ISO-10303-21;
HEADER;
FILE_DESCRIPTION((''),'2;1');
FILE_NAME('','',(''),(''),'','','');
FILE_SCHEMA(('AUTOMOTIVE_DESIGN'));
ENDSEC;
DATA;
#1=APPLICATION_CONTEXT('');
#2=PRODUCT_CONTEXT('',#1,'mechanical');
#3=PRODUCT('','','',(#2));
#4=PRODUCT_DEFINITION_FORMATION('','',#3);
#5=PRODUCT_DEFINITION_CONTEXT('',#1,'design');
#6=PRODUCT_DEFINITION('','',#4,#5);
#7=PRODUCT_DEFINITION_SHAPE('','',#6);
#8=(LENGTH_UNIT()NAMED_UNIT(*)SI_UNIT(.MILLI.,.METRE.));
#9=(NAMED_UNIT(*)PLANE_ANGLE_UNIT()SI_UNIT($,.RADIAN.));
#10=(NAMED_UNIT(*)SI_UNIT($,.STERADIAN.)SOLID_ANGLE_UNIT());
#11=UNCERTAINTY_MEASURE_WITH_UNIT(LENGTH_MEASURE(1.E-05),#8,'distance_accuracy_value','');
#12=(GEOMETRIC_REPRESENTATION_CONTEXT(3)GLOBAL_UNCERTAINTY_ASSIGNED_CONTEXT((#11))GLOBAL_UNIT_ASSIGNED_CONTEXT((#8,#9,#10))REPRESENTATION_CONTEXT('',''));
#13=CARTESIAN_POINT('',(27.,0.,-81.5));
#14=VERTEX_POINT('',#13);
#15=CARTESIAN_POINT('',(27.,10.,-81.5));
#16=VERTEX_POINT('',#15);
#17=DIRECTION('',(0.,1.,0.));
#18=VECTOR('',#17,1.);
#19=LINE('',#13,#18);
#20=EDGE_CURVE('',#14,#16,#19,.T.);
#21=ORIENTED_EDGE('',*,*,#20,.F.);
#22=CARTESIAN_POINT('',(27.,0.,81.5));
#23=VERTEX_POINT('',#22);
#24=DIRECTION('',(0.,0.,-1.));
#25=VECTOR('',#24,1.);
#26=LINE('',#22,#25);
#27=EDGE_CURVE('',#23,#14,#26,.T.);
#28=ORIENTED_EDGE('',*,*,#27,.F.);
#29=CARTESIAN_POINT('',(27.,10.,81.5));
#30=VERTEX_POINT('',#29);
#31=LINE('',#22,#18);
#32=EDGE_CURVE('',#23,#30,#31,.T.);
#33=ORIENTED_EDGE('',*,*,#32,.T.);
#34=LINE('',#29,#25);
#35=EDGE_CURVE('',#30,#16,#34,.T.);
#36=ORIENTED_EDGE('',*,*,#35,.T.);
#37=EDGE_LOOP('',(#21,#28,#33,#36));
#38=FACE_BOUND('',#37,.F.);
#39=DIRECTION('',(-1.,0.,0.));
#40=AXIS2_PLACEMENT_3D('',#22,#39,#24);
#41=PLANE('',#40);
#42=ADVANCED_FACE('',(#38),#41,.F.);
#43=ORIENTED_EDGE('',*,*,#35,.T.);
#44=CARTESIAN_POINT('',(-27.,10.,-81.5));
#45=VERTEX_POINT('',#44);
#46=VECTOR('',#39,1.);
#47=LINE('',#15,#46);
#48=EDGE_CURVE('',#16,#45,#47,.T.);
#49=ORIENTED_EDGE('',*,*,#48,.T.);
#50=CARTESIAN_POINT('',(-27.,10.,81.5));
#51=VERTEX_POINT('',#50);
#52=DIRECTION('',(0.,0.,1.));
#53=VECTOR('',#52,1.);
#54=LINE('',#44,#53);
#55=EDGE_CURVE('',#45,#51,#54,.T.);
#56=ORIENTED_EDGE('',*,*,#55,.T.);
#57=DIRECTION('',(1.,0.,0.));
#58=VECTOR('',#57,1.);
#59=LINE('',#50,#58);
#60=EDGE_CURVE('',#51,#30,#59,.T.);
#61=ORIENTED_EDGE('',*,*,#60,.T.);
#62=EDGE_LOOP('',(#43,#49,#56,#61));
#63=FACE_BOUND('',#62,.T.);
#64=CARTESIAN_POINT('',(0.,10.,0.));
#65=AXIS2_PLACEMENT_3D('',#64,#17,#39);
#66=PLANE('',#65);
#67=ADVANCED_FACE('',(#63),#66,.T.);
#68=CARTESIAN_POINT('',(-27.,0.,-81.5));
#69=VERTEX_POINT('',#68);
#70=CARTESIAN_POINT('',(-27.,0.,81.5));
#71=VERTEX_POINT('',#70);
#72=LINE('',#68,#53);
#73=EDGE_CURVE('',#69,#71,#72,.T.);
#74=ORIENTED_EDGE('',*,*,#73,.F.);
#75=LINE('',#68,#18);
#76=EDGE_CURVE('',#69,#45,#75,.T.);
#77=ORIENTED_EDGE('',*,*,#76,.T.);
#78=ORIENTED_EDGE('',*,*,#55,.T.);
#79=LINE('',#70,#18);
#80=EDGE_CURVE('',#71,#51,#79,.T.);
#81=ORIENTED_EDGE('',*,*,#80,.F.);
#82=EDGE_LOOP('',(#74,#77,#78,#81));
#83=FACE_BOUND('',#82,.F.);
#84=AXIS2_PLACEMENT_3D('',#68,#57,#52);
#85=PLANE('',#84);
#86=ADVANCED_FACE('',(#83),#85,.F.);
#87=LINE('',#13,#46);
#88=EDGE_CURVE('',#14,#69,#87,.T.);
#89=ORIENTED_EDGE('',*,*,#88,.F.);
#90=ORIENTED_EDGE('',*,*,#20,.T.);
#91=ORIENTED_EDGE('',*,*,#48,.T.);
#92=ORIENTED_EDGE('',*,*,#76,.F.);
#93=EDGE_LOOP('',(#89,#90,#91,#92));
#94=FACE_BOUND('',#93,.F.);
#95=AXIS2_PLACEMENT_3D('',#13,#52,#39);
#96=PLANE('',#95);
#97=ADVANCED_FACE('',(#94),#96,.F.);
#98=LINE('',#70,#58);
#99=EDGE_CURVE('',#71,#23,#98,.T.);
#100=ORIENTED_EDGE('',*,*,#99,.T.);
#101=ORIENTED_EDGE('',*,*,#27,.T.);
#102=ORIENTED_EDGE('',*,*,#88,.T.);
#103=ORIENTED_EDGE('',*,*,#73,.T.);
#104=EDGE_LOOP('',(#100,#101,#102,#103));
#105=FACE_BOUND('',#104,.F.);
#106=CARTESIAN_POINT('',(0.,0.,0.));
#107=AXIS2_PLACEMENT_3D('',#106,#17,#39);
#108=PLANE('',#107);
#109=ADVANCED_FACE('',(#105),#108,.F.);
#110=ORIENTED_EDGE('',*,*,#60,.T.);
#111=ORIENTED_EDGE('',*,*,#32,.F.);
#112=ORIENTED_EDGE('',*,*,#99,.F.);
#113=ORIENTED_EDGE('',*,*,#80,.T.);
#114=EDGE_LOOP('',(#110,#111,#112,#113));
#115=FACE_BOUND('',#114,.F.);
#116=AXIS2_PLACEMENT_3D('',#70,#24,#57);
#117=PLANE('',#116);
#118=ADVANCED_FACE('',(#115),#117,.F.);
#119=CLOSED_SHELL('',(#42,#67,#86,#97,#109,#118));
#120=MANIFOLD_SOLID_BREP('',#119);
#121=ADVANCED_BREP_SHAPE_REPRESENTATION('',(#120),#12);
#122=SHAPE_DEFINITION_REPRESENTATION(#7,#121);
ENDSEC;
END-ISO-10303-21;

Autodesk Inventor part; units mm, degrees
ref_plane "YZ Plane" through (0, 0, 0) normal (1, 0, 0) x (0, 1, 0)
ref_plane "XZ Plane" through (0, 0, 0) normal (0, 1, 0) x (-1, 0, 0)
ref_plane "XY Plane" through (0, 0, 0) normal (0, 0, 1) x (1, 0, 0)
sketch "Boceto1" plane through (0, 0, 0) normal (0, 1, 0) x (-1, 0, 0)
  line L0 (27, 81.5) -> (-27, 81.5)
  line L1 (-27, 81.5) -> (-27, -81.5)
  line L2 (-27, -81.5) -> (27, -81.5)
  line L3 (27, -81.5) -> (27, 81.5)
  line L4 (27, 81.5) -> (-27, -81.5) construction
  line L5 (-27, 81.5) -> (27, -81.5) construction
  point P0 (0, 0)
  dimension "d0" = 54
  dimension "d1" = 163
extrude "Extrusión1" add sketch "Boceto1" along normal blind 10
properties part number "protoboard"
